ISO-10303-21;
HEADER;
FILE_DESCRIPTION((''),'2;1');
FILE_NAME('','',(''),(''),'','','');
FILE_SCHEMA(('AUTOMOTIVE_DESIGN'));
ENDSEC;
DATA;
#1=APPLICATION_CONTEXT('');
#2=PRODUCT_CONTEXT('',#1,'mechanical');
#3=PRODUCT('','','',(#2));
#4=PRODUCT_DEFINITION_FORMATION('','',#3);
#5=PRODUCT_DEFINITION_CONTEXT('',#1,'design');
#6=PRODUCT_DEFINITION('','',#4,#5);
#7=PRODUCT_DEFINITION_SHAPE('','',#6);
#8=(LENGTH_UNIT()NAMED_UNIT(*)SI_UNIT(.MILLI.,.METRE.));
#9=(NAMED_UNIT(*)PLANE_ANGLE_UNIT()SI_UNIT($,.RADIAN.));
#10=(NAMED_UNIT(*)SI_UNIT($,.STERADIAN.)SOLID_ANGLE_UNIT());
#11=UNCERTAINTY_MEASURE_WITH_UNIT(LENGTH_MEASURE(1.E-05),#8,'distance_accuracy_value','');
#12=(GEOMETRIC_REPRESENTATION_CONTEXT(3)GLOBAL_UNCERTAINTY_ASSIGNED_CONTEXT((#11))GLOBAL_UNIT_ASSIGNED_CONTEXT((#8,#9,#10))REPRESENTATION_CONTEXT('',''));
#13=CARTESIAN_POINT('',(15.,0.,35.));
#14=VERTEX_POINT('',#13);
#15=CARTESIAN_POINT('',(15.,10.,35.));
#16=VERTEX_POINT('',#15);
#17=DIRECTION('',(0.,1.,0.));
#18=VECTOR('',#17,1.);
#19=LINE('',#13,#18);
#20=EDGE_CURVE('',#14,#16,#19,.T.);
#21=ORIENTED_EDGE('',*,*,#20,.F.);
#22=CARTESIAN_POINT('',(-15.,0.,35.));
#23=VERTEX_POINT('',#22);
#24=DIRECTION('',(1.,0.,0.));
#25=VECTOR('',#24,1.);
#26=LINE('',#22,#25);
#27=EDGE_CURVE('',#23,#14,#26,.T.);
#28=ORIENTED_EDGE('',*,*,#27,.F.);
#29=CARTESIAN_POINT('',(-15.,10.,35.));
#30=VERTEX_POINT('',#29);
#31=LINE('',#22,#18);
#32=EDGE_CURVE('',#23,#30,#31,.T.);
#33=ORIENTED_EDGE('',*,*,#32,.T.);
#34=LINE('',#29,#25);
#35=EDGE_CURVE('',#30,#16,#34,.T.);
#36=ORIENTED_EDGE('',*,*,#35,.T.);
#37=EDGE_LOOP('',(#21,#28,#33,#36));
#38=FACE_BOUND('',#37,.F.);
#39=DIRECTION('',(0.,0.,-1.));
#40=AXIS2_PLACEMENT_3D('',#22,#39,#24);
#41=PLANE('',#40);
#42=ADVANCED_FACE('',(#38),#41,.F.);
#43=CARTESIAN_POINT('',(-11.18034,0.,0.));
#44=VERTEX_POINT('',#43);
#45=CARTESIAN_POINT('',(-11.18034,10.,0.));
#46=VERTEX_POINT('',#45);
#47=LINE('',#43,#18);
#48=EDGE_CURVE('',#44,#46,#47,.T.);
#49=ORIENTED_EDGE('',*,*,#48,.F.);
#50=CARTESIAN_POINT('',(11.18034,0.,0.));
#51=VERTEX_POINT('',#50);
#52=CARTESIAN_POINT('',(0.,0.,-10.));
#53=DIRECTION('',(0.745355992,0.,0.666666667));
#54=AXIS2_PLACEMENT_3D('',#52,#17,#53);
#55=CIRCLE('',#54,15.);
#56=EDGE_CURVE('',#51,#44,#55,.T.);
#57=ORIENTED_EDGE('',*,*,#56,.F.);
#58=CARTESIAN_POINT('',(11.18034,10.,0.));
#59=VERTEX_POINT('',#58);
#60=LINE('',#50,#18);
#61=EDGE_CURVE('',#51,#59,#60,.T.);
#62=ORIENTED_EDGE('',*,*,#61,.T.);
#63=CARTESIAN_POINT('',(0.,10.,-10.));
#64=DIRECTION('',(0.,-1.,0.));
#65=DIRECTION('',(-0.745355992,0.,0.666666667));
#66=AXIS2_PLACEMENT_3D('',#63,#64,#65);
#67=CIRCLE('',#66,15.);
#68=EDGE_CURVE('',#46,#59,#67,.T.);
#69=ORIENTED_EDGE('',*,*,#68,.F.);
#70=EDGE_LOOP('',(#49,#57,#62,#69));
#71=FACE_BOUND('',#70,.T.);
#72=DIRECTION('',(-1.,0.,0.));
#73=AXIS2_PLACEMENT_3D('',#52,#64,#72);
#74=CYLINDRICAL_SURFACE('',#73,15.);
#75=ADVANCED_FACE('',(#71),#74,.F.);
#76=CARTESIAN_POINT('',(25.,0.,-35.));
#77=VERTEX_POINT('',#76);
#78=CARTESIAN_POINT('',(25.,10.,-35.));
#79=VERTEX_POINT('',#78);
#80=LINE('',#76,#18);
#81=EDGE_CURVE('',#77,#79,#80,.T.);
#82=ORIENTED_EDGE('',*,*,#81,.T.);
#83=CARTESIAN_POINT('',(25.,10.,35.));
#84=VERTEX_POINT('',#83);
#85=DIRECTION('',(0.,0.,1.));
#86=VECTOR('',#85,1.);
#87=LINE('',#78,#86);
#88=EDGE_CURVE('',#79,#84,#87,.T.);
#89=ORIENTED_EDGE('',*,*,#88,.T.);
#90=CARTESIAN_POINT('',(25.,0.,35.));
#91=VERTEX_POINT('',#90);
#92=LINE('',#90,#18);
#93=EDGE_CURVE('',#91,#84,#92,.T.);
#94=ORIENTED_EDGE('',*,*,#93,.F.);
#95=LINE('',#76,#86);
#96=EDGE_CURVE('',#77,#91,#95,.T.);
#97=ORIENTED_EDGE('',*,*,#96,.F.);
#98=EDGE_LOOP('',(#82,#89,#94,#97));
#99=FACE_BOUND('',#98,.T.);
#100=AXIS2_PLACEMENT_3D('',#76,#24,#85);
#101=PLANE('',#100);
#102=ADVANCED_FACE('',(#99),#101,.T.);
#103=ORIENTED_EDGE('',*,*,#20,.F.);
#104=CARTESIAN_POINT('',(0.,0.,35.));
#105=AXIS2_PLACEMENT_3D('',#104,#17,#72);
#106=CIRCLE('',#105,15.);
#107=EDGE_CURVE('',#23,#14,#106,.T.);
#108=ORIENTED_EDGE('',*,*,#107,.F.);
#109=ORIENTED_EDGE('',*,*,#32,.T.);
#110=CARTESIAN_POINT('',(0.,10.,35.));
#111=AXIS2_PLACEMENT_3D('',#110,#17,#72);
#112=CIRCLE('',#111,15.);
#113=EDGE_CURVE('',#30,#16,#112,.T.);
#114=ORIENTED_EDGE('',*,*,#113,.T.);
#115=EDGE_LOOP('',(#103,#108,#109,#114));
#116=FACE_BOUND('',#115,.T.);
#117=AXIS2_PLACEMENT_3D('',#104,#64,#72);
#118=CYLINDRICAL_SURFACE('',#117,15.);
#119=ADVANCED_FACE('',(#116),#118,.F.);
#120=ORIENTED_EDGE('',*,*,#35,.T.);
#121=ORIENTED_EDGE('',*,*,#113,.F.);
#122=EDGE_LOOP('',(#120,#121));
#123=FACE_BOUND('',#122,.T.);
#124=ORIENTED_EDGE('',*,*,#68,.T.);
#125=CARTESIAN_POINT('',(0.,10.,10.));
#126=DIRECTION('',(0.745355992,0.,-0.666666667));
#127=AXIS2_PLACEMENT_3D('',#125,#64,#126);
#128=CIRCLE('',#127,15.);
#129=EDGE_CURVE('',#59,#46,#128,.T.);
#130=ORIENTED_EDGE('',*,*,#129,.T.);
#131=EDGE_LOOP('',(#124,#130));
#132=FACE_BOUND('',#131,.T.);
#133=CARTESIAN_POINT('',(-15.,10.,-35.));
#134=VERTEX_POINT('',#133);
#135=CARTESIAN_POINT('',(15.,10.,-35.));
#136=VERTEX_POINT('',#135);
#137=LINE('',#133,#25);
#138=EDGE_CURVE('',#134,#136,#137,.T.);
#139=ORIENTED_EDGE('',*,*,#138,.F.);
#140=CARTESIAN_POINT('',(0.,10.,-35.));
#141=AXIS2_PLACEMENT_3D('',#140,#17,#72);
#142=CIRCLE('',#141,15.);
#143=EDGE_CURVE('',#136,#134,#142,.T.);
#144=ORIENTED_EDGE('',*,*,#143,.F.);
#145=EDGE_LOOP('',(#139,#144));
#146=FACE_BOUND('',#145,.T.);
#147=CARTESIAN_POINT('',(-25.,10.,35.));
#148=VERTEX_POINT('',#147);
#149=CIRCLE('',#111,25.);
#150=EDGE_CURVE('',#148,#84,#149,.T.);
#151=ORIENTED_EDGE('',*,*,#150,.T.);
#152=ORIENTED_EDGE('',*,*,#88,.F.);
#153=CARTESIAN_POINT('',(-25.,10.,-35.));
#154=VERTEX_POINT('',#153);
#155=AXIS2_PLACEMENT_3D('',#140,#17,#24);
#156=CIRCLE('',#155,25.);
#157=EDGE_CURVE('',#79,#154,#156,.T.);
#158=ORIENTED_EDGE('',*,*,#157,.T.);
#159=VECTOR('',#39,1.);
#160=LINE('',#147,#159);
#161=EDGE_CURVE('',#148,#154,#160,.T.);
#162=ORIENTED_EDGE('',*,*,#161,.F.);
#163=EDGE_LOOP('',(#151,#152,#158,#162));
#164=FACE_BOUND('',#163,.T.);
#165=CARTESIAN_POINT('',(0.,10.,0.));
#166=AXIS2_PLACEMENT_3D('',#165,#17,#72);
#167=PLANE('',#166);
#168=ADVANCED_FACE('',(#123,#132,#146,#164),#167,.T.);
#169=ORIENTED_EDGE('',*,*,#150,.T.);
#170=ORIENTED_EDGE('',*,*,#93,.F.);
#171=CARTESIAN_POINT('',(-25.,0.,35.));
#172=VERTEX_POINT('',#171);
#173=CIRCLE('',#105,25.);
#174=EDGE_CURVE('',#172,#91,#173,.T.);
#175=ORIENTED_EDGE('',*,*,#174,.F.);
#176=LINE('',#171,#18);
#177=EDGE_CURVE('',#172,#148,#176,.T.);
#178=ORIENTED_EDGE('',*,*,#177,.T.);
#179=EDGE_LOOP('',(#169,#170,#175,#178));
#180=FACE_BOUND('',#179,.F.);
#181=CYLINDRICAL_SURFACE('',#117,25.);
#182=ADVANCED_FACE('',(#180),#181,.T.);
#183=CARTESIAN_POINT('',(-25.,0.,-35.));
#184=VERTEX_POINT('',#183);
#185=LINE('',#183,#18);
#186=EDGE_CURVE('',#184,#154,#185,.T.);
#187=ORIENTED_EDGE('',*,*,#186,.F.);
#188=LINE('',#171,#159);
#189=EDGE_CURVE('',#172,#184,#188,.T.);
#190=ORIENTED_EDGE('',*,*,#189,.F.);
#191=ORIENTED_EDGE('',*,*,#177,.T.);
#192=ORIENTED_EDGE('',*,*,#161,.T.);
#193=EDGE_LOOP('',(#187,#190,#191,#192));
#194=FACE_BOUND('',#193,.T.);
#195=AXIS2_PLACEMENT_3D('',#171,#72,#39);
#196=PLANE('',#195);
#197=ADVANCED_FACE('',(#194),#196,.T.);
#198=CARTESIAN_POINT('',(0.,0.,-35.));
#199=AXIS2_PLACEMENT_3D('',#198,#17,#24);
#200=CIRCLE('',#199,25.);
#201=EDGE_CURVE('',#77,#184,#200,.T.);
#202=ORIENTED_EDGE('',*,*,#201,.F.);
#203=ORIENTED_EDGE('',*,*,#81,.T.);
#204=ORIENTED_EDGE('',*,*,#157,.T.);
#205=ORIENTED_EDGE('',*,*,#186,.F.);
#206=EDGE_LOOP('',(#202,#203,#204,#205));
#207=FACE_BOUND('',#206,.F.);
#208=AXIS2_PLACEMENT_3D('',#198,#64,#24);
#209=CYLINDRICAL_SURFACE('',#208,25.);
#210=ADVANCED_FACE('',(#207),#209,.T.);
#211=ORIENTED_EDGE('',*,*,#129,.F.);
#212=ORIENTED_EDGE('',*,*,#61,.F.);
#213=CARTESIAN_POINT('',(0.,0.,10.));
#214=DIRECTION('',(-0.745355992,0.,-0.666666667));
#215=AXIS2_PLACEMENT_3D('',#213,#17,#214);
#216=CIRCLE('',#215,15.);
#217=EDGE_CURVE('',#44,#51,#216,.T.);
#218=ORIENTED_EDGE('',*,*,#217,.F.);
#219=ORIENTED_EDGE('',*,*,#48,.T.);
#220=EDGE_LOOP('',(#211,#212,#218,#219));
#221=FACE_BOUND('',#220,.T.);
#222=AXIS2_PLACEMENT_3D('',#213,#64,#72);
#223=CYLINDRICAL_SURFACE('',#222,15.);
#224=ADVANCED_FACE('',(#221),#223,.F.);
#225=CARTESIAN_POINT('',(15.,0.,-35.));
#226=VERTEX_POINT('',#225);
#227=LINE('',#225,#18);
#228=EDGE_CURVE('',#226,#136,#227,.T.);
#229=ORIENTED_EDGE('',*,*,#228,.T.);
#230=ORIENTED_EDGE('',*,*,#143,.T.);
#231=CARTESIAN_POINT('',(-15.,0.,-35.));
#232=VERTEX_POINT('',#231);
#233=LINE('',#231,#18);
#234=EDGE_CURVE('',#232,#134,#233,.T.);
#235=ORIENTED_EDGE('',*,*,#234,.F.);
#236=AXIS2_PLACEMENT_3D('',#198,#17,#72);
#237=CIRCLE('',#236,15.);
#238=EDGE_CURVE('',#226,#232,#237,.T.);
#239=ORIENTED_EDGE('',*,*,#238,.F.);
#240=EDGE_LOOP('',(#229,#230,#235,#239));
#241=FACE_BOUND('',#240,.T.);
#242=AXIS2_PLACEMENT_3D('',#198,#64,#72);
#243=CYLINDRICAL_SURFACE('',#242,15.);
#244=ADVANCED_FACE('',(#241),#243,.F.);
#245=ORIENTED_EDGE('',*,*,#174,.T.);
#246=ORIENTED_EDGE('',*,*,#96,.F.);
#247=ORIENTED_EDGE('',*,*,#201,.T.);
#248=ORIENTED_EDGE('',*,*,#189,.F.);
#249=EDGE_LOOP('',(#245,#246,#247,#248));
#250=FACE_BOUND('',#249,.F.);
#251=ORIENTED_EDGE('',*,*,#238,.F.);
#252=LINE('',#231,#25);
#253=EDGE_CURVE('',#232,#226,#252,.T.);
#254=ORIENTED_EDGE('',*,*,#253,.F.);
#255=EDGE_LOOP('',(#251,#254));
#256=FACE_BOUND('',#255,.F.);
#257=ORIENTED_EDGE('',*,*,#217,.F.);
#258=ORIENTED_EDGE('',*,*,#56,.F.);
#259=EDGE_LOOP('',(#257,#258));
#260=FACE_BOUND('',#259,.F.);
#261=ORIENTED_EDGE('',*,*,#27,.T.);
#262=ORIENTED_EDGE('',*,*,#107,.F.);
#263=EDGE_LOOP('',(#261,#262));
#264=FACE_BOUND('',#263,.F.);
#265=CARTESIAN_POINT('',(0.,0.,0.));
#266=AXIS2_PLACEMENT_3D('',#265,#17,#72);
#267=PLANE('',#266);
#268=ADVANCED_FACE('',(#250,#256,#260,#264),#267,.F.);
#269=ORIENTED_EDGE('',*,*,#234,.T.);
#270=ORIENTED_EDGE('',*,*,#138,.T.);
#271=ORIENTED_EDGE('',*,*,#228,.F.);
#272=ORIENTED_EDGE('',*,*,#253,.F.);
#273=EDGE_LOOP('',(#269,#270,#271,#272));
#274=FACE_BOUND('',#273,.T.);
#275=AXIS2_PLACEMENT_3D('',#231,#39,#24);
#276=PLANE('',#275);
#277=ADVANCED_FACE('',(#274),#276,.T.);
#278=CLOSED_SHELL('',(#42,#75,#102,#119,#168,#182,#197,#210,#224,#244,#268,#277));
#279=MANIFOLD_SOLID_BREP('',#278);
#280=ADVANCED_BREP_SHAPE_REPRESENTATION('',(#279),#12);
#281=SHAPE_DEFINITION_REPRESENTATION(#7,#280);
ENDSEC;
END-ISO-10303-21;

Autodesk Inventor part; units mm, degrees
ref_plane "YZ Plane" through (0, 0, 0) normal (1, 0, 0) x (0, 1, 0)
ref_plane "XZ Plane" through (0, 0, 0) normal (0, 1, 0) x (-1, 0, 0)
ref_plane "XY Plane" through (0, 0, 0) normal (0, 0, 1) x (1, 0, 0)
sketch "Boceto1" plane through (0, 0, 0) normal (0, 1, 0) x (-1, 0, 0)
  line L0 (0, 35) -> (0, -35) construction
  line L1 (25, 35) -> (25, -35)
  line L2 (-25, -35) -> (-25, 35)
  arc A0 (25, 35) -> (-25, 35) centre (0, 35) ccw
  arc A1 (-25, -35) -> (25, -35) centre (0, -35) ccw
  circle A2 centre (0, -35) radius 15
  circle A3 centre (0, 35) radius 15
  line L3 (0, -20) -> (0, -20)
  line L4 (15, -35) -> (-15, -35)
  line L5 (94.5074, 0) -> (-76.0102, 0) construction
  line L6 (15, 35) -> (-15, 35)
  line L7 (15, -35) -> (-15, -35)
  circle A4 centre (0, 10) radius 15
  circle A5 centre (0, -10) radius 15
  point P0 (0, 0)
  point P1 (0, 60)
  point P2 (0, -60)
  point P3 (0, -20)
  point P4 (15, 35)
  point P5 (11.1803, 0)
  point P6 (-11.1803, 0)
  dimension "largo" = 120
  dimension "ancho" = 50
  dimension "espesor_junta" = 10
  dimension "d3" = 10
  dimension "d6" = 0
  dimension "d22" = 30
  dimension "d23" = 30
  dimension "d24" = 20
  dimension "d25" = 10
extrude "Extrusión6" add sketch "Boceto1" along normal blind 10 contours L1 A1 L2 A0 | A2 A5 L4 | A3 L6 A4
equation "\"d3\" = espesor_junta"
properties part number "mod4" material "Aluminio 6061"
